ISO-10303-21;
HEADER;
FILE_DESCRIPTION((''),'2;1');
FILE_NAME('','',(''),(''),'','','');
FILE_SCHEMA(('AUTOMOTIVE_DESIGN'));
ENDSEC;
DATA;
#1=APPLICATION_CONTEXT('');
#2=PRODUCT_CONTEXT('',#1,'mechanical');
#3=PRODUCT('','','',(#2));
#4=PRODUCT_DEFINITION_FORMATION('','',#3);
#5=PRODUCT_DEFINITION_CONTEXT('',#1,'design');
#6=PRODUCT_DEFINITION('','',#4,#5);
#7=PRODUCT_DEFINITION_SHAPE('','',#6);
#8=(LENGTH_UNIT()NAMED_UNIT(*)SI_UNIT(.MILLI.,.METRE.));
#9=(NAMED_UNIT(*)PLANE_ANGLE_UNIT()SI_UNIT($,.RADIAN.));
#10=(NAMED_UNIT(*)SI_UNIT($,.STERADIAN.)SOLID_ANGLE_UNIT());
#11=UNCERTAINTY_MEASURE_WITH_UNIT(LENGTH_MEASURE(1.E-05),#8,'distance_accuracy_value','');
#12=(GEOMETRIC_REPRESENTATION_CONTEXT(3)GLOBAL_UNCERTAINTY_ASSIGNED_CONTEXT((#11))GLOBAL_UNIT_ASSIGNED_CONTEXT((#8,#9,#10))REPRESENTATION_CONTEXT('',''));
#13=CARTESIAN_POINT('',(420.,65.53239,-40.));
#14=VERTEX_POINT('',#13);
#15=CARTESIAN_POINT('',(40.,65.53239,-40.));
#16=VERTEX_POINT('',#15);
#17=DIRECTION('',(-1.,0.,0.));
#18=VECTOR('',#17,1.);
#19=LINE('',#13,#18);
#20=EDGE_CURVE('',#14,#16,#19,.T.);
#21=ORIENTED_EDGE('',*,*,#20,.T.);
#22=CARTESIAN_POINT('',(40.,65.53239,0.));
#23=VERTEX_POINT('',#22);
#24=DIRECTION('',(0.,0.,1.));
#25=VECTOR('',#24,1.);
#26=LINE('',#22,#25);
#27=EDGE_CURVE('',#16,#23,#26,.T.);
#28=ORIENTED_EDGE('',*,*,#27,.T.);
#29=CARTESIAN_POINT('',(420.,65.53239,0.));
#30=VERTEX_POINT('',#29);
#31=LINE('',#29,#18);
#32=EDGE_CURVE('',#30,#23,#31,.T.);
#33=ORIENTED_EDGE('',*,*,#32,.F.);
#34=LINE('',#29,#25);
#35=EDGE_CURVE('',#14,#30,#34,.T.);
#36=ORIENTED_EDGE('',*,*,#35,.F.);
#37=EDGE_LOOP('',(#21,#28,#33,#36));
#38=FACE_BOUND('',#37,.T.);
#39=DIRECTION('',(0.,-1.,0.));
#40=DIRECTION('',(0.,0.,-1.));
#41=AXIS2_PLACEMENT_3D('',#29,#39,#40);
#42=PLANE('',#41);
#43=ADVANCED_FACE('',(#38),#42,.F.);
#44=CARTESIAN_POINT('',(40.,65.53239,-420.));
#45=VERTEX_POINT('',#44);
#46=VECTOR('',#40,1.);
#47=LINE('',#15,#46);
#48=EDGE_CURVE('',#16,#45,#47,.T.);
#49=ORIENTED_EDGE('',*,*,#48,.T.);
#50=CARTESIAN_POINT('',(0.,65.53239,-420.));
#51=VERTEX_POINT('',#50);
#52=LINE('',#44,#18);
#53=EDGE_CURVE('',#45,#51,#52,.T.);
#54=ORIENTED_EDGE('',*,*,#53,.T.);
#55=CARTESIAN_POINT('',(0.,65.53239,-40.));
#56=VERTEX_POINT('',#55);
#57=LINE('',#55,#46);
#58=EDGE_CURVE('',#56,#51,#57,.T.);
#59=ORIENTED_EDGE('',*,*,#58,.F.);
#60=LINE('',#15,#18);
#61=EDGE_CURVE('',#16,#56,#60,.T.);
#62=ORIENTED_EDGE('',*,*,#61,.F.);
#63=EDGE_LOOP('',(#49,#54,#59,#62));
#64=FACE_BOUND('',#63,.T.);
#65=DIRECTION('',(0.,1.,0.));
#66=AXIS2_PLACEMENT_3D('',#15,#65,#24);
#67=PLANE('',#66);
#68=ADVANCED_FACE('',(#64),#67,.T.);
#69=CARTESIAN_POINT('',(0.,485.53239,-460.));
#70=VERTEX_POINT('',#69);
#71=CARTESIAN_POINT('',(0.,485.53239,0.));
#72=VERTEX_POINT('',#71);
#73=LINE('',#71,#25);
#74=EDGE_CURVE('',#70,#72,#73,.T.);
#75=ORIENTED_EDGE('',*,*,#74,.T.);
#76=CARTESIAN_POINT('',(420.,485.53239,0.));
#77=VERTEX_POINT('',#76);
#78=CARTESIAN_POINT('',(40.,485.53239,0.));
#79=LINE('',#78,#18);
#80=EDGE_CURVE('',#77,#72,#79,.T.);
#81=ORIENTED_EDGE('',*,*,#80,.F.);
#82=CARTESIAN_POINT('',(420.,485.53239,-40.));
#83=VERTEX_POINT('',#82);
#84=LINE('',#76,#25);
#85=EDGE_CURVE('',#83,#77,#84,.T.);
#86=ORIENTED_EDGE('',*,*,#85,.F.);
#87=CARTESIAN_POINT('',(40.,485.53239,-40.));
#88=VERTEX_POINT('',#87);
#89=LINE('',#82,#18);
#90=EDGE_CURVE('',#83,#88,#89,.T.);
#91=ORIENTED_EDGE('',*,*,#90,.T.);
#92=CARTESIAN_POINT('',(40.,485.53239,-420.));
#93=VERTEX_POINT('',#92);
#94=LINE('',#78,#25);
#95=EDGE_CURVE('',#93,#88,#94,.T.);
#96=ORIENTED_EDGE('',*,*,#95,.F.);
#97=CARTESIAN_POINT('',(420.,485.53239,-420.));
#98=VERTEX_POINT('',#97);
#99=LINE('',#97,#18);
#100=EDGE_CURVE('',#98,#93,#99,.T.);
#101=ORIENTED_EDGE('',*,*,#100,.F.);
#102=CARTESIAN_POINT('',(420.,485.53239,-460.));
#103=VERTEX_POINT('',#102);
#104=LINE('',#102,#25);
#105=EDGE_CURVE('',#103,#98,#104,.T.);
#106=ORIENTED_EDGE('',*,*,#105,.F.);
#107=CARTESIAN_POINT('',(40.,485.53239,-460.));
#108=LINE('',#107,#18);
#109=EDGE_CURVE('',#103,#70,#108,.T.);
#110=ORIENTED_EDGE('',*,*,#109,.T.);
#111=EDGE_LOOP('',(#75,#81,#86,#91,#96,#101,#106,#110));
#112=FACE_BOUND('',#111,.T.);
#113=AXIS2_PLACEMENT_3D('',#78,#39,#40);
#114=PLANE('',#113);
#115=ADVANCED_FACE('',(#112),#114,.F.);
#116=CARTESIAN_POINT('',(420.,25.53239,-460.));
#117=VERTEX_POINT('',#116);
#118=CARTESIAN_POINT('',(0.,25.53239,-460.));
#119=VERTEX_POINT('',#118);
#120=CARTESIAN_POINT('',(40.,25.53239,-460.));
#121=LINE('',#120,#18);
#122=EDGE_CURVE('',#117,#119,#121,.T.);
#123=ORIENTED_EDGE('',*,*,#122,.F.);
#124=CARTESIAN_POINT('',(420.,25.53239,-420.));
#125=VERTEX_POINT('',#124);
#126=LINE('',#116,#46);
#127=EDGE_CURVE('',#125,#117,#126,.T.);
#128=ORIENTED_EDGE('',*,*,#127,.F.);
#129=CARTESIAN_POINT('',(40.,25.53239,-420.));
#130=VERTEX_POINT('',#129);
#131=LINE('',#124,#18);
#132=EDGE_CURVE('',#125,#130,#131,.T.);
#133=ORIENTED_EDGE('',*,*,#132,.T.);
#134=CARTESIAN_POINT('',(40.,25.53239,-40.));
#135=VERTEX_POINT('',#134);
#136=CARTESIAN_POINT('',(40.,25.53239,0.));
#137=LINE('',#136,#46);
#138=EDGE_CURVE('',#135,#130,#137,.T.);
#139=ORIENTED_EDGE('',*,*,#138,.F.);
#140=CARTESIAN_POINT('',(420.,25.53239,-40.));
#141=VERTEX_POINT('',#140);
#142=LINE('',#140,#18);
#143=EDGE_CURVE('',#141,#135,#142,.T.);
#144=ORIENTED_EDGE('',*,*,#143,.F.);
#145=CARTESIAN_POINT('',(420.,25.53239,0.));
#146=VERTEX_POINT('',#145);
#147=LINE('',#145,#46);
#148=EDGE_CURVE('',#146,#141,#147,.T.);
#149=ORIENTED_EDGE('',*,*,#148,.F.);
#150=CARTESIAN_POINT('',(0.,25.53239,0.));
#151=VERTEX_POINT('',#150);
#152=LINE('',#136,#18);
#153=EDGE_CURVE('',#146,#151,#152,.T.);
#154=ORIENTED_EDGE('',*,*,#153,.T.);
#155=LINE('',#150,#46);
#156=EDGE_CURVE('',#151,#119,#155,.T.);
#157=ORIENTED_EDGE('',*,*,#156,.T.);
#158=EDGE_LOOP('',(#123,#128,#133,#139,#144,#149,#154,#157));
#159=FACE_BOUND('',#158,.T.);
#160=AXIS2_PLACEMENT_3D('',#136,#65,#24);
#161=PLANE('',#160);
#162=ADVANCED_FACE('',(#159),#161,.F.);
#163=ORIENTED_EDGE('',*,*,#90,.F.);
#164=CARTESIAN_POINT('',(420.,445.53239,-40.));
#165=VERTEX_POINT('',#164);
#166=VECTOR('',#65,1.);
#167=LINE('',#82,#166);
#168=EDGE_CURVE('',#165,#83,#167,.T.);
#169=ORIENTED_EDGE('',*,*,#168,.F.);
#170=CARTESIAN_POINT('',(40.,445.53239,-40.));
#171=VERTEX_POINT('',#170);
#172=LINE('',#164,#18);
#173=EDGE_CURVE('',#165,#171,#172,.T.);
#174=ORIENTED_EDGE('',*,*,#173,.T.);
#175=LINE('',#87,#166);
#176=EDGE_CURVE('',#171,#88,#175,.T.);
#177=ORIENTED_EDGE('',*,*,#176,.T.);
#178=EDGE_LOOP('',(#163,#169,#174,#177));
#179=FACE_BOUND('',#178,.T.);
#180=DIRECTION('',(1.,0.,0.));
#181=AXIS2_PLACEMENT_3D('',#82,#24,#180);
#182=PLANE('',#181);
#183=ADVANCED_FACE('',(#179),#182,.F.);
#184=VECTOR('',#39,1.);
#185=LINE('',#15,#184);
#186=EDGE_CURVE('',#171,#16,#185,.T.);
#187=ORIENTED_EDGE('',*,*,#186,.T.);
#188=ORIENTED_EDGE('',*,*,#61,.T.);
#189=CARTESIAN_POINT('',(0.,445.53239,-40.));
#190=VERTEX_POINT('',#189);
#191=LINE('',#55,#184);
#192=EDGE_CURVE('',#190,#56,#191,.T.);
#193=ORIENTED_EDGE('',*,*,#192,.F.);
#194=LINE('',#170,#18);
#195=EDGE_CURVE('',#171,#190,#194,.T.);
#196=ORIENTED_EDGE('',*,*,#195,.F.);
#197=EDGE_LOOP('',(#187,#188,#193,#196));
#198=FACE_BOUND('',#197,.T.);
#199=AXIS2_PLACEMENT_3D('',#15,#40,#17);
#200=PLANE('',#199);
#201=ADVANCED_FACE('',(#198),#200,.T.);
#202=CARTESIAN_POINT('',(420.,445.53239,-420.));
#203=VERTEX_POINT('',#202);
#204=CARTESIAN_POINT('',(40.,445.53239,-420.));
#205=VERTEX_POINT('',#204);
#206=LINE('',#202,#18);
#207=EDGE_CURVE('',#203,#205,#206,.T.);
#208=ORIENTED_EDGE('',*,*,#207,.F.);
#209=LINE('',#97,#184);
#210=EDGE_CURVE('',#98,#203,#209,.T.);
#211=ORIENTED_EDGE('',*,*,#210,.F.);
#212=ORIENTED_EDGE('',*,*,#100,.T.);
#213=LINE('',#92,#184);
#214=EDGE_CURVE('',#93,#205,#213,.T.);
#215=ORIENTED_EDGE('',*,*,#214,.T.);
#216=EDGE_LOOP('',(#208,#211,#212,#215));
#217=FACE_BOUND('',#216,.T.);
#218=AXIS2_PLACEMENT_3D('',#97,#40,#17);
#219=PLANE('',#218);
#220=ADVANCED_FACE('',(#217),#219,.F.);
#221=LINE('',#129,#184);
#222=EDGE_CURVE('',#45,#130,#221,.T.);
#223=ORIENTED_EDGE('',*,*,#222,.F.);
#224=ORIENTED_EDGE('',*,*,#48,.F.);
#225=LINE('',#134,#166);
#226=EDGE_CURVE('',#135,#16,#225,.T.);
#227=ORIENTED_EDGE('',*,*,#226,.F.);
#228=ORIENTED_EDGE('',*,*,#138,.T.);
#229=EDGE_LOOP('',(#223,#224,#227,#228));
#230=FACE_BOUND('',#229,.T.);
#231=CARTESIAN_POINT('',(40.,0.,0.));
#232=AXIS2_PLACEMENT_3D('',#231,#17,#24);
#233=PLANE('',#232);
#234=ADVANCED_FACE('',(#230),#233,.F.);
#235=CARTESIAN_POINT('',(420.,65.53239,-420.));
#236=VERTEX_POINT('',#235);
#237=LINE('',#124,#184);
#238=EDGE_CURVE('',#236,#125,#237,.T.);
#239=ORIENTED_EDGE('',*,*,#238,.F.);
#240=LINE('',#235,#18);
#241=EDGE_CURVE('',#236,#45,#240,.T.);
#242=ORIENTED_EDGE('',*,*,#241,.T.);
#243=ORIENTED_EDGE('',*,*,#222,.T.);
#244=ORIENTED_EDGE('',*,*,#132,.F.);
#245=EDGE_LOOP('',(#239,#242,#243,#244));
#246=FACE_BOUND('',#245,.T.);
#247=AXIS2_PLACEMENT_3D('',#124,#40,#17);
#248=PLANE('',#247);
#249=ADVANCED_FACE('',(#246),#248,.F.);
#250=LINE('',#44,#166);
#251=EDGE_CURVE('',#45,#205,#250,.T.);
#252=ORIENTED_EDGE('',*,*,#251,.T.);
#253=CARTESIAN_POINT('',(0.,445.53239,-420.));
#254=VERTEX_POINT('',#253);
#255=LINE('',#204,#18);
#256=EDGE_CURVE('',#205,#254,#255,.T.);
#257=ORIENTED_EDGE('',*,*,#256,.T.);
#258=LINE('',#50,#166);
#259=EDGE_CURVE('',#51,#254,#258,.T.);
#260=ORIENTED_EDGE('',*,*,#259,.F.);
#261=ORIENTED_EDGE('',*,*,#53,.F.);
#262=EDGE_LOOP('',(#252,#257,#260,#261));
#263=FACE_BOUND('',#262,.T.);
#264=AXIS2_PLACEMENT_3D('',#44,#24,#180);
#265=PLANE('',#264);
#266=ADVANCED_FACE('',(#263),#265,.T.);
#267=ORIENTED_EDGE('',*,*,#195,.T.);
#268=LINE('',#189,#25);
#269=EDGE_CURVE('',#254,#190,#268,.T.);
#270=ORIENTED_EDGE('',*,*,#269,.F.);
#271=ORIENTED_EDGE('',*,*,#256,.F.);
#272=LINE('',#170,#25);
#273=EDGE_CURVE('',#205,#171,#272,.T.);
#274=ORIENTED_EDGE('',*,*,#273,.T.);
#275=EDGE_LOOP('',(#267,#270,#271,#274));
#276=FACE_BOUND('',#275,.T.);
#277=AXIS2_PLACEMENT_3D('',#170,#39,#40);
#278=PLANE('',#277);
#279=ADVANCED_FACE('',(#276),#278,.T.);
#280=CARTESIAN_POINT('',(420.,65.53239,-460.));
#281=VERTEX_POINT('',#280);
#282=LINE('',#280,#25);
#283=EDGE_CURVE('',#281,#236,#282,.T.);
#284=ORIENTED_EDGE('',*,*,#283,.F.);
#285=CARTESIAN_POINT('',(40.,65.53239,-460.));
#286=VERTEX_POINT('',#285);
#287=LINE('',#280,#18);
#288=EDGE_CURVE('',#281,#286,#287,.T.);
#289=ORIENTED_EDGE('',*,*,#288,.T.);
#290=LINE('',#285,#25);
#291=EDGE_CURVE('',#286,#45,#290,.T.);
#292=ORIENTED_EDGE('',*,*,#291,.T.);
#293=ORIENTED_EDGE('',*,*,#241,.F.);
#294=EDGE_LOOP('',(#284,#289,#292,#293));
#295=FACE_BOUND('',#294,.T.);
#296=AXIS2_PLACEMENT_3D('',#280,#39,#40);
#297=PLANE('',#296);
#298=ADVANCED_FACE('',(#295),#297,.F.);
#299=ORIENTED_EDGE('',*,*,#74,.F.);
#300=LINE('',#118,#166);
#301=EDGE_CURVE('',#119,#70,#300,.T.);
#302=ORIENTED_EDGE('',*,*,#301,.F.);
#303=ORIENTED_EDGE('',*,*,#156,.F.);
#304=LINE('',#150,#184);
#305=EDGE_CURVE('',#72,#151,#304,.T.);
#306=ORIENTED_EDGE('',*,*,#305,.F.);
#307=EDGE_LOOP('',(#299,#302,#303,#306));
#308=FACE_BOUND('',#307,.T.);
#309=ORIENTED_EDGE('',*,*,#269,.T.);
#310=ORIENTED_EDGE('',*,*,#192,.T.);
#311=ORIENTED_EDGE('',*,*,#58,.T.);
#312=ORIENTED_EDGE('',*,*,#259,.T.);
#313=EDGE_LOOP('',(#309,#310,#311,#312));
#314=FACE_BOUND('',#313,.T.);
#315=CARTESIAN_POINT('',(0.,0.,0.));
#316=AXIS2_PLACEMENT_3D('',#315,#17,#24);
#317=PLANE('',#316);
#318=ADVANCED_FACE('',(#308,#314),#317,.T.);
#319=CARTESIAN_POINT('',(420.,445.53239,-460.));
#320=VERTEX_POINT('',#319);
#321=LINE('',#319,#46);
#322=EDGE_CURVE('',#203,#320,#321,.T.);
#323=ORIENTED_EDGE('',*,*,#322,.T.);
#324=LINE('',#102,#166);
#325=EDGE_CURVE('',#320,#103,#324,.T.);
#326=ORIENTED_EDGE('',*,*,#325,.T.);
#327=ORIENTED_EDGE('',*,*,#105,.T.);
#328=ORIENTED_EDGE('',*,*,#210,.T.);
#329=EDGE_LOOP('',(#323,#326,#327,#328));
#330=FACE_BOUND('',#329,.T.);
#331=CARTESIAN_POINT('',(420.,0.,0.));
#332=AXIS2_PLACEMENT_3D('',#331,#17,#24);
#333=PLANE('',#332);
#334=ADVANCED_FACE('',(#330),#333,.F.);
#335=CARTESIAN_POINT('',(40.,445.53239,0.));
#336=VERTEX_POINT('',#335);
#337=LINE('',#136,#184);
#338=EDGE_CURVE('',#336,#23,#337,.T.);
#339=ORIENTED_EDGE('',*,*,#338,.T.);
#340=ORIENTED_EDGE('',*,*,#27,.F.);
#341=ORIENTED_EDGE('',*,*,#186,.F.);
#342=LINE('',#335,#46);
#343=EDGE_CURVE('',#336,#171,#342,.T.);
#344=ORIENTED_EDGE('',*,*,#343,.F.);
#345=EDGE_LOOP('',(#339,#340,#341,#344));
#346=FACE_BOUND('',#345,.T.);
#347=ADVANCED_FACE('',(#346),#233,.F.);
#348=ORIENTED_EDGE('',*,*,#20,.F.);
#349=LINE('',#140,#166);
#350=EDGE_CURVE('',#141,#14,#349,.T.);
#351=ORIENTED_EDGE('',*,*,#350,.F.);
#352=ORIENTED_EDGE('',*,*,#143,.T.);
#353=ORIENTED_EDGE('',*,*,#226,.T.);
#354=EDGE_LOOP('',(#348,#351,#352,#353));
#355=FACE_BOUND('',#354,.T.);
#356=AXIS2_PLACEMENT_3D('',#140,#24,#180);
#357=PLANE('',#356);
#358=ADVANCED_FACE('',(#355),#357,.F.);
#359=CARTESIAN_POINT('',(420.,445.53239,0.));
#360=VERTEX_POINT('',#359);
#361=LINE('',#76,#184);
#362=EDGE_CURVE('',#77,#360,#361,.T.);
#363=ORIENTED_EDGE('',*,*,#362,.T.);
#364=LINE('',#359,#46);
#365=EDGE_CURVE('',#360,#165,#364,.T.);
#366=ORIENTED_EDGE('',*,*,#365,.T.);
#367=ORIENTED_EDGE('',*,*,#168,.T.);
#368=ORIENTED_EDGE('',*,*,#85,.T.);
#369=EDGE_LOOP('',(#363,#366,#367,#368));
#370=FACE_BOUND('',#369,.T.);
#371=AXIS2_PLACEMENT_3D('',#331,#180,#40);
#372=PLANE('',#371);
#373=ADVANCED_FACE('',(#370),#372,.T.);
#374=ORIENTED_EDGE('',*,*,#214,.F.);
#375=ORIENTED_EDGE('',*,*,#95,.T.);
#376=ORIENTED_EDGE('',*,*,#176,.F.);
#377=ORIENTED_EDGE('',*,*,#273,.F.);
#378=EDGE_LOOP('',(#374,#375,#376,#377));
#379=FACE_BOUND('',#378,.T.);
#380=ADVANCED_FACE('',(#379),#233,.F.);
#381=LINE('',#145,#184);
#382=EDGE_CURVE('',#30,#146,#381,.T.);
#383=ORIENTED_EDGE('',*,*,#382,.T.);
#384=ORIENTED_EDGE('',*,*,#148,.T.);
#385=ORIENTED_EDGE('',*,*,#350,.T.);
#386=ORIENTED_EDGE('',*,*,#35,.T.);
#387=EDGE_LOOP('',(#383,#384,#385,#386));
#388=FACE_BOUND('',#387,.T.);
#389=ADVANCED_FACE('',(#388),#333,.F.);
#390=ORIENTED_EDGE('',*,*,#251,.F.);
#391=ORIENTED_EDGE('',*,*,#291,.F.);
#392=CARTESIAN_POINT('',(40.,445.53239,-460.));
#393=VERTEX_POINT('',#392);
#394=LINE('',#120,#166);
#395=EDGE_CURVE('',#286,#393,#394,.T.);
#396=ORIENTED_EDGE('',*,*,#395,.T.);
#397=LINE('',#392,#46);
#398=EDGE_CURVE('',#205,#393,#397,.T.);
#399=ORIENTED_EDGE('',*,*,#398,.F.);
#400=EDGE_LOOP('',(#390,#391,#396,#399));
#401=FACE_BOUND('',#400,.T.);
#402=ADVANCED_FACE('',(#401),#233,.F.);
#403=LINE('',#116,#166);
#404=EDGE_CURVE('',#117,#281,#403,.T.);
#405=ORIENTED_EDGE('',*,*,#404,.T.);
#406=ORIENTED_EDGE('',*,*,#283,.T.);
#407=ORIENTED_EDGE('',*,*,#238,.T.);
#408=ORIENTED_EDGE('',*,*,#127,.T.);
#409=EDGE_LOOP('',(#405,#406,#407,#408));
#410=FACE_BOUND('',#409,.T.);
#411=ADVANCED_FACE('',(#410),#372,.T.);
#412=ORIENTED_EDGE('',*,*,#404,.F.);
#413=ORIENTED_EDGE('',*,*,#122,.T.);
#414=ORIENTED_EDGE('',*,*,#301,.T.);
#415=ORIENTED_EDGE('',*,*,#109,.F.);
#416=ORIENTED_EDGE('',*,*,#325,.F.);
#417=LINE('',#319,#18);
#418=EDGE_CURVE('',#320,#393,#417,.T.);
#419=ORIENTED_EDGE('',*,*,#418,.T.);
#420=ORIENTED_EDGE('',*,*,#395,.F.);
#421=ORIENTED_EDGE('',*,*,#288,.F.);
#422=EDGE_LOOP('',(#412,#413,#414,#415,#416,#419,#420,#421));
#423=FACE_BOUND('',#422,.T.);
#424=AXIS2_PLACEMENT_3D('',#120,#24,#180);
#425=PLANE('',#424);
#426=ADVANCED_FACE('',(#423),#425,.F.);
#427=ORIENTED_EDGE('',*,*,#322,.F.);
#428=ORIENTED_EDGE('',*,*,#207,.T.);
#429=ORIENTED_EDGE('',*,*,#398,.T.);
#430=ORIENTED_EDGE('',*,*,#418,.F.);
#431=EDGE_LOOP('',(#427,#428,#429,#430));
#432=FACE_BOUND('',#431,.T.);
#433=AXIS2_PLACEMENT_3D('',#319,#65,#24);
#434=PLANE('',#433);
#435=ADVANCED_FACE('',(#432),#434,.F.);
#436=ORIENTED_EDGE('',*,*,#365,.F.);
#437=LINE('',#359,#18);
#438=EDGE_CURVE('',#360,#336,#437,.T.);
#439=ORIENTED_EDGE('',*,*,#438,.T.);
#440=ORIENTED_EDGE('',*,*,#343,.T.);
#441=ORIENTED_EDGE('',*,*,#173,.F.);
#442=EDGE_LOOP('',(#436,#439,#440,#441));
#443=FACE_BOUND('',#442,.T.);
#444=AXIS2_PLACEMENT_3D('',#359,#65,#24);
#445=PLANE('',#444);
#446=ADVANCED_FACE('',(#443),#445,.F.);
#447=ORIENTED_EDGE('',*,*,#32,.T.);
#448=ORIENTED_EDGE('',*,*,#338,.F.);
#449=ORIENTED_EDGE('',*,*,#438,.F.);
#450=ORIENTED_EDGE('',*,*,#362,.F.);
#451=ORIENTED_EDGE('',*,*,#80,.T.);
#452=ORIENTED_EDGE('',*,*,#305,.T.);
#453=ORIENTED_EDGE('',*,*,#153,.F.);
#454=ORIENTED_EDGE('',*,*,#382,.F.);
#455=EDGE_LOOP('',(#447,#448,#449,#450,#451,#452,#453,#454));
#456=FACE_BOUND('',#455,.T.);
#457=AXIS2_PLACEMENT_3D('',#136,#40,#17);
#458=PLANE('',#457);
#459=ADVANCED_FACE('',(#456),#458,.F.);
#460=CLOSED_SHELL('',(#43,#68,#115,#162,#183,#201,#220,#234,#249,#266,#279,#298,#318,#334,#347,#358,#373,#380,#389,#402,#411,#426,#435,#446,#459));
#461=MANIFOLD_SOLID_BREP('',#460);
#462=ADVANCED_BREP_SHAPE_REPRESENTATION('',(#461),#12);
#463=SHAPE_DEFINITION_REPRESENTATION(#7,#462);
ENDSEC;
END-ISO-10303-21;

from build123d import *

# Parameters (mm, degrees)
SKETCH_1_W      = 460
SKETCH_1_H      = 460
SKETCH_1_W_2    = 380
SKETCH_1_H_2    = 380
EXTRUDE_2_DEPTH = 40
SKETCH_2_W      = 40
SKETCH_2_H      = 40
EXTRUDE_3_DEPTH = 380


with BuildPart() as part:
    # 草图1 → 凸台-拉伸2 (new body)
    with BuildSketch(Plane(origin=(0, 0, 0), x_dir=(0, 0, -1), z_dir=(1, 0, 0))):
        with Locations((230, 255.532389843)):
            Rectangle(SKETCH_1_W, SKETCH_1_H)
        with Locations((230, 255.532389843)):
            Rectangle(SKETCH_1_W_2, SKETCH_1_H_2, mode=Mode.SUBTRACT)
    extrude(amount=EXTRUDE_2_DEPTH)

    # 草图2 → 凸台-拉伸3 (add)
    with BuildSketch(Plane(origin=(40, 0, 0), x_dir=(0, 0, -1), z_dir=(1, 0, 0))):
        with Locations((20, 465.532389843)):
            Rectangle(SKETCH_2_W, SKETCH_2_H)
        with Locations((440, 465.532389843)):
            Rectangle(SKETCH_2_W, SKETCH_2_H)
        with Locations((440, 45.532389843)):
            Rectangle(SKETCH_2_W, SKETCH_2_H)
        with Locations((20, 45.532389843)):
            Rectangle(SKETCH_2_W, SKETCH_2_H)
    extrude(amount=EXTRUDE_3_DEPTH)


solid = part.part
